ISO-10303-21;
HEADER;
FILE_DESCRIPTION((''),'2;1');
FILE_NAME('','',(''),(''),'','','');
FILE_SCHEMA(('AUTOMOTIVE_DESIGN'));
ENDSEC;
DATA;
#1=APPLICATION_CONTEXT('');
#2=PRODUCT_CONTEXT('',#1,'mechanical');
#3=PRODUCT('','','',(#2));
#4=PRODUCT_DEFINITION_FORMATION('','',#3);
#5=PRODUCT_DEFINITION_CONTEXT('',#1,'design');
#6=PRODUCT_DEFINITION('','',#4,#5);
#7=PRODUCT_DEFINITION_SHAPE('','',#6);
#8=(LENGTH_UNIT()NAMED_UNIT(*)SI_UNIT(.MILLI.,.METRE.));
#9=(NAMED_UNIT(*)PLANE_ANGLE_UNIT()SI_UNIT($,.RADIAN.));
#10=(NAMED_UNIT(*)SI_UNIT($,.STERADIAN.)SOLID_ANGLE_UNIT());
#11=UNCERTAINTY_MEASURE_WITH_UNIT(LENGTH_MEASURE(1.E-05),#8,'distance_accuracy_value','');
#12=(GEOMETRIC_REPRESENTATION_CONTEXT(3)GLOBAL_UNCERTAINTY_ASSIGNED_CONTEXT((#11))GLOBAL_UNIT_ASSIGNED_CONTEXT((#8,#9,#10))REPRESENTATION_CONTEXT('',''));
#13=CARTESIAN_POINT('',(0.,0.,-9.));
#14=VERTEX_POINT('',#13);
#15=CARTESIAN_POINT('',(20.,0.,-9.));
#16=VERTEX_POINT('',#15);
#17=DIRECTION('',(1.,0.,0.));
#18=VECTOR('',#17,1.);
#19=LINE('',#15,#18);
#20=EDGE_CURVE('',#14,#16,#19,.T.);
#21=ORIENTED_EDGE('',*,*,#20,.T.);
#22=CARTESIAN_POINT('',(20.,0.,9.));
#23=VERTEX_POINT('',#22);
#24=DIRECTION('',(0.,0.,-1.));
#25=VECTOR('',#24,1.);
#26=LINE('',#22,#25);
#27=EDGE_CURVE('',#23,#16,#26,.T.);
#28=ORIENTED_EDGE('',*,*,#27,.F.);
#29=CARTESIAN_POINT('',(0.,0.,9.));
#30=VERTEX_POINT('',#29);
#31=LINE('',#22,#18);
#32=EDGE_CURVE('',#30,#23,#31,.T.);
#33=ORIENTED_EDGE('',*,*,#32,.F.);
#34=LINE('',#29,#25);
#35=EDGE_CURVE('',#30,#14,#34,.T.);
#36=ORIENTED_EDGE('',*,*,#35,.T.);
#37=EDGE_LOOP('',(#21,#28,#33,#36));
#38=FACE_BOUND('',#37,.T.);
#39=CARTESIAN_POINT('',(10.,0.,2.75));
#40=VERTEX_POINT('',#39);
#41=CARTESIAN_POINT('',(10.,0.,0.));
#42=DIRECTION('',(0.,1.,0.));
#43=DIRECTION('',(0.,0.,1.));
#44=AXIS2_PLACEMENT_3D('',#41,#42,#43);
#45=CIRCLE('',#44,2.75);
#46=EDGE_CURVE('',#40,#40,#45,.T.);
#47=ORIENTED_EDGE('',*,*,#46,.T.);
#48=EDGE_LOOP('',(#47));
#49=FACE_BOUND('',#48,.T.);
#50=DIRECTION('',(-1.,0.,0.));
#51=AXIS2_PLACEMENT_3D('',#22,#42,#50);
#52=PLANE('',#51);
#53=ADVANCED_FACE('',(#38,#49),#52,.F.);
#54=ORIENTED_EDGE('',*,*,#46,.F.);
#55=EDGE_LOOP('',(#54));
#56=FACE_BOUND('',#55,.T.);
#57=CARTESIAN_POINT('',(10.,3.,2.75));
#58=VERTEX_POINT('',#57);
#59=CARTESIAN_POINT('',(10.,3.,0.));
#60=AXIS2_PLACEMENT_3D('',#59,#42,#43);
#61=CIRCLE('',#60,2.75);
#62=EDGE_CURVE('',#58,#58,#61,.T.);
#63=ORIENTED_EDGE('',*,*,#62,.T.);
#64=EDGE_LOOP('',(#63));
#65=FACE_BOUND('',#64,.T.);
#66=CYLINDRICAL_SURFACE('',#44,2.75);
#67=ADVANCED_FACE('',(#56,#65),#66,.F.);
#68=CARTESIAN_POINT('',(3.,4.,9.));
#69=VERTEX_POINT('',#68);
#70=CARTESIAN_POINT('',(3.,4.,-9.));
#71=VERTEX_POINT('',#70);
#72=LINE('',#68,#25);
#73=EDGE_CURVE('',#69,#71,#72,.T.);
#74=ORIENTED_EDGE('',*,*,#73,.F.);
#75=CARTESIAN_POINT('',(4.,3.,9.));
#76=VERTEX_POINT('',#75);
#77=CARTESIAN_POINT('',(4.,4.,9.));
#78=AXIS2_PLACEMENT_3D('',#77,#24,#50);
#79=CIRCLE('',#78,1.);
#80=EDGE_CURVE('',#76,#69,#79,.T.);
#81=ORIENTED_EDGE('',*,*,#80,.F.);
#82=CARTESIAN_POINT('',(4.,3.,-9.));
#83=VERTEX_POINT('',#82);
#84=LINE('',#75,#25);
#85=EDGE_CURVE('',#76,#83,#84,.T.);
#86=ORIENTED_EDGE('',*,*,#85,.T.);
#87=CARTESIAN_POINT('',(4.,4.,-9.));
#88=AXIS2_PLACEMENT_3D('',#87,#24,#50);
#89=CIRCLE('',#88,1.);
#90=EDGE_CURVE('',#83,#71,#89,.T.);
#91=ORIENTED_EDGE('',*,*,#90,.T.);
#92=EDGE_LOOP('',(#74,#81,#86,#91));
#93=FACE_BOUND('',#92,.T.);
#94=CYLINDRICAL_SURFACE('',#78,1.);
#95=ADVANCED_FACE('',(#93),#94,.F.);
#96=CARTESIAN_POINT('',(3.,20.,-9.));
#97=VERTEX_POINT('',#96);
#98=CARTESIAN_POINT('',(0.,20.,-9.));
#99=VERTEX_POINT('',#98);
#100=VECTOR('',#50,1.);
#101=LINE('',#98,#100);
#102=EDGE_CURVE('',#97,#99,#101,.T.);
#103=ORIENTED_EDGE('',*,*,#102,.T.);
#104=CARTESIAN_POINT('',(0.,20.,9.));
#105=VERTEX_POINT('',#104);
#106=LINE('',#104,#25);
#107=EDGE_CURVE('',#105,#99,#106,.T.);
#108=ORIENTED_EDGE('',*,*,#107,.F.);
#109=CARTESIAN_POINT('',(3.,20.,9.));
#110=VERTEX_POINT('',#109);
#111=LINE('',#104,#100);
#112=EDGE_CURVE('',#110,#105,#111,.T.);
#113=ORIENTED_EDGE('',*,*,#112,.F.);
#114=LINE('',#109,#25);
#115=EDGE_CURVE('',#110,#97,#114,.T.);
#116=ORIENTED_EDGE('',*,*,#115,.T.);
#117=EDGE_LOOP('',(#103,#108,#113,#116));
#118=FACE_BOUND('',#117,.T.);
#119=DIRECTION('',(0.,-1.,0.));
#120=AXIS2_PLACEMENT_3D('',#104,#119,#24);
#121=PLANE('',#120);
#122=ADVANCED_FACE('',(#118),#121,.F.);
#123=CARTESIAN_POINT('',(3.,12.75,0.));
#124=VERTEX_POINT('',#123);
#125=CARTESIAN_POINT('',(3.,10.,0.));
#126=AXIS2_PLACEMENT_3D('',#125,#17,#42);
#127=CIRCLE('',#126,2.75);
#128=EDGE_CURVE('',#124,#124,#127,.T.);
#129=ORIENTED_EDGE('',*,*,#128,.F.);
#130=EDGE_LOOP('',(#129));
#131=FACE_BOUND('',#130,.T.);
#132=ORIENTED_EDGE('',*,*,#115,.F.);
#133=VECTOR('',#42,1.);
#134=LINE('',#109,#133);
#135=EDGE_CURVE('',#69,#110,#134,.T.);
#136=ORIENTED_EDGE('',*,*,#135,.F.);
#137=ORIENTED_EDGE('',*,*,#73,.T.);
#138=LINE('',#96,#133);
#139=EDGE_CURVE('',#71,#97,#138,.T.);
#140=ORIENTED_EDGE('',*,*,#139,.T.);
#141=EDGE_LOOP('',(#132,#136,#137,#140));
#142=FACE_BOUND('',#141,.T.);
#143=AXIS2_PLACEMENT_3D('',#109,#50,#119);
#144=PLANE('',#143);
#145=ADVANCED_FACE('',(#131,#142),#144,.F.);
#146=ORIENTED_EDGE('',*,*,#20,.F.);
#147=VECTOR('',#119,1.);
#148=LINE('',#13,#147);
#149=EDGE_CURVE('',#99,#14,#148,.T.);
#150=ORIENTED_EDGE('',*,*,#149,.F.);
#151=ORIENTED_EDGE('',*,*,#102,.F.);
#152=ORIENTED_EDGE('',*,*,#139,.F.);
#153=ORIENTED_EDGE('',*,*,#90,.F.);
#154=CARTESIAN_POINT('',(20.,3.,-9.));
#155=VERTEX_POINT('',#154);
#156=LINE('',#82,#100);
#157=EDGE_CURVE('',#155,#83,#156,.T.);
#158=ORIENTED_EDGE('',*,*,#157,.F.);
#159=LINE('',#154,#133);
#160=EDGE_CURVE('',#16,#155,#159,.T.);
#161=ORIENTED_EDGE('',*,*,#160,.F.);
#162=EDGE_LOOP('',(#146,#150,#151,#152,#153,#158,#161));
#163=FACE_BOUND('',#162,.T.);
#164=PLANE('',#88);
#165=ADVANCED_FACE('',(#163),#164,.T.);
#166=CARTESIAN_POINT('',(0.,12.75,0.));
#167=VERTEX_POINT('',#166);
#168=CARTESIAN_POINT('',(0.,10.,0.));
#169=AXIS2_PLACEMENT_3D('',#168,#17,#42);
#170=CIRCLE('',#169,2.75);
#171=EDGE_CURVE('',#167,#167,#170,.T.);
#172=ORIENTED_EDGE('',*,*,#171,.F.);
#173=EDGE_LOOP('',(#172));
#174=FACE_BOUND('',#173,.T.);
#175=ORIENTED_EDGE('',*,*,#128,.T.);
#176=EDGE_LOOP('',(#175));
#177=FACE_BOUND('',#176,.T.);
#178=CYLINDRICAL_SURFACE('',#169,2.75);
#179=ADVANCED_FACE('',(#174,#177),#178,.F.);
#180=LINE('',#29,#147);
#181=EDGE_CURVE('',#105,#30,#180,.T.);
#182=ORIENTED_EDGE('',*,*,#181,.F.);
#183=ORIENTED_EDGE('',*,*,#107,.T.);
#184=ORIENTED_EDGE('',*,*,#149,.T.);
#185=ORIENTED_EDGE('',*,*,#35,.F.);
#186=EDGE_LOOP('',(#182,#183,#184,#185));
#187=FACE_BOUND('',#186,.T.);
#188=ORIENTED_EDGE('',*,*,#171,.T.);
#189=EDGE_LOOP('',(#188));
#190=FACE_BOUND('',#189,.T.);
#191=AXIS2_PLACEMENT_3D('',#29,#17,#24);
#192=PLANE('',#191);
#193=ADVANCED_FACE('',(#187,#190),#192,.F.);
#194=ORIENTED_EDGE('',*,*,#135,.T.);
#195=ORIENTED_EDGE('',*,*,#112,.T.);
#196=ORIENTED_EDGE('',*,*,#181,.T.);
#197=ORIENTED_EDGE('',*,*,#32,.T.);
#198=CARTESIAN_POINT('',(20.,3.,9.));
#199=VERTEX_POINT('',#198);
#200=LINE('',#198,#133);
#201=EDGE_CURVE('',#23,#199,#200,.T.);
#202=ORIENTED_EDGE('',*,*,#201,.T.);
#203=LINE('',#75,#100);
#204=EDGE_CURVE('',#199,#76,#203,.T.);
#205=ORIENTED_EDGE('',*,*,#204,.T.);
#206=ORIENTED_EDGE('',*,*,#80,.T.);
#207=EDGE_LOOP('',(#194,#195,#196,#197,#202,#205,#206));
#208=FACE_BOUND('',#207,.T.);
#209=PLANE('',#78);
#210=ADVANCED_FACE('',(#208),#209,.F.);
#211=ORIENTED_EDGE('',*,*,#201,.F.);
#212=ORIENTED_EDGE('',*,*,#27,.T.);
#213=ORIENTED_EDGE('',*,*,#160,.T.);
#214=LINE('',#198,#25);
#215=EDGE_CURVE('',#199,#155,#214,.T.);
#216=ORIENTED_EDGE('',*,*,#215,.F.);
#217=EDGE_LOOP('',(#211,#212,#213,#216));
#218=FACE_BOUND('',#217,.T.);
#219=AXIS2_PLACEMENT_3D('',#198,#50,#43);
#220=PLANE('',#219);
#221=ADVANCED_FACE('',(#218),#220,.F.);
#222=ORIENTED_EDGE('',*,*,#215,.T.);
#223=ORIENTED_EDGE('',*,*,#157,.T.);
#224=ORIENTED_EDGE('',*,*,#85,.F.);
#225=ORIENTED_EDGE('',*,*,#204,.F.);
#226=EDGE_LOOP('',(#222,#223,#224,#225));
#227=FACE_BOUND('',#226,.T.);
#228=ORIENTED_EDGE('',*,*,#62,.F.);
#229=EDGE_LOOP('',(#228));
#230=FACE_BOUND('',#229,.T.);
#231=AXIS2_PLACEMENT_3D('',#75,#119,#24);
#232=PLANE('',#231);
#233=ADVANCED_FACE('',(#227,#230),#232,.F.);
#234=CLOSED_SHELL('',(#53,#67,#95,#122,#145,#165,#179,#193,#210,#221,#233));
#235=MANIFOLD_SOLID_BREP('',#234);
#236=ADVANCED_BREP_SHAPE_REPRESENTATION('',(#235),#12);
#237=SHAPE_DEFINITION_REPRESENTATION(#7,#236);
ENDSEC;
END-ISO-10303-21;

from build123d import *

# Parameters (mm, degrees)
BOSS_EXTRUDE1_DEPTH = 9
SKETCH2_R           = 2.75
CUT_EXTRUDE1_DEPTH  = 4
SKETCH3_R           = 2.75
CUT_EXTRUDE2_DEPTH  = 4


with BuildPart() as part:
    # Sketch1 → Boss-Extrude1 (new body, symmetric)
    with BuildSketch(Plane.XY):
        with BuildLine():
            Line((0, 0), (0, 20))
            Line((0, 20), (3, 20))
            Line((3, 20), (3, 4))
            ThreePointArc((3, 4), (3.292893219, 3.292893219), (4, 3))
            Line((4, 3), (20, 3))
            Line((20, 3), (20, 0))
            Line((20, 0), (0, 0))
        make_face()
    extrude(amount=BOSS_EXTRUDE1_DEPTH, both=True)

    # Sketch2 → Cut-Extrude1 (cut, through all)
    with BuildSketch(Plane(origin=(0, 3, 0), x_dir=(1, 0, 0), z_dir=(0, 1, 0))):
        with Locations((10, 0)):
            Circle(SKETCH2_R)
    extrude(amount=-CUT_EXTRUDE1_DEPTH, mode=Mode.SUBTRACT)

    # Sketch3 → Cut-Extrude2 (cut, through all)
    with BuildSketch(Plane(origin=(3, 0, 0), x_dir=(0, 0, -1), z_dir=(1, 0, 0))):
        with Locations((0, 10)):
            Circle(SKETCH3_R)
    extrude(amount=-CUT_EXTRUDE2_DEPTH, mode=Mode.SUBTRACT)


solid = part.part
